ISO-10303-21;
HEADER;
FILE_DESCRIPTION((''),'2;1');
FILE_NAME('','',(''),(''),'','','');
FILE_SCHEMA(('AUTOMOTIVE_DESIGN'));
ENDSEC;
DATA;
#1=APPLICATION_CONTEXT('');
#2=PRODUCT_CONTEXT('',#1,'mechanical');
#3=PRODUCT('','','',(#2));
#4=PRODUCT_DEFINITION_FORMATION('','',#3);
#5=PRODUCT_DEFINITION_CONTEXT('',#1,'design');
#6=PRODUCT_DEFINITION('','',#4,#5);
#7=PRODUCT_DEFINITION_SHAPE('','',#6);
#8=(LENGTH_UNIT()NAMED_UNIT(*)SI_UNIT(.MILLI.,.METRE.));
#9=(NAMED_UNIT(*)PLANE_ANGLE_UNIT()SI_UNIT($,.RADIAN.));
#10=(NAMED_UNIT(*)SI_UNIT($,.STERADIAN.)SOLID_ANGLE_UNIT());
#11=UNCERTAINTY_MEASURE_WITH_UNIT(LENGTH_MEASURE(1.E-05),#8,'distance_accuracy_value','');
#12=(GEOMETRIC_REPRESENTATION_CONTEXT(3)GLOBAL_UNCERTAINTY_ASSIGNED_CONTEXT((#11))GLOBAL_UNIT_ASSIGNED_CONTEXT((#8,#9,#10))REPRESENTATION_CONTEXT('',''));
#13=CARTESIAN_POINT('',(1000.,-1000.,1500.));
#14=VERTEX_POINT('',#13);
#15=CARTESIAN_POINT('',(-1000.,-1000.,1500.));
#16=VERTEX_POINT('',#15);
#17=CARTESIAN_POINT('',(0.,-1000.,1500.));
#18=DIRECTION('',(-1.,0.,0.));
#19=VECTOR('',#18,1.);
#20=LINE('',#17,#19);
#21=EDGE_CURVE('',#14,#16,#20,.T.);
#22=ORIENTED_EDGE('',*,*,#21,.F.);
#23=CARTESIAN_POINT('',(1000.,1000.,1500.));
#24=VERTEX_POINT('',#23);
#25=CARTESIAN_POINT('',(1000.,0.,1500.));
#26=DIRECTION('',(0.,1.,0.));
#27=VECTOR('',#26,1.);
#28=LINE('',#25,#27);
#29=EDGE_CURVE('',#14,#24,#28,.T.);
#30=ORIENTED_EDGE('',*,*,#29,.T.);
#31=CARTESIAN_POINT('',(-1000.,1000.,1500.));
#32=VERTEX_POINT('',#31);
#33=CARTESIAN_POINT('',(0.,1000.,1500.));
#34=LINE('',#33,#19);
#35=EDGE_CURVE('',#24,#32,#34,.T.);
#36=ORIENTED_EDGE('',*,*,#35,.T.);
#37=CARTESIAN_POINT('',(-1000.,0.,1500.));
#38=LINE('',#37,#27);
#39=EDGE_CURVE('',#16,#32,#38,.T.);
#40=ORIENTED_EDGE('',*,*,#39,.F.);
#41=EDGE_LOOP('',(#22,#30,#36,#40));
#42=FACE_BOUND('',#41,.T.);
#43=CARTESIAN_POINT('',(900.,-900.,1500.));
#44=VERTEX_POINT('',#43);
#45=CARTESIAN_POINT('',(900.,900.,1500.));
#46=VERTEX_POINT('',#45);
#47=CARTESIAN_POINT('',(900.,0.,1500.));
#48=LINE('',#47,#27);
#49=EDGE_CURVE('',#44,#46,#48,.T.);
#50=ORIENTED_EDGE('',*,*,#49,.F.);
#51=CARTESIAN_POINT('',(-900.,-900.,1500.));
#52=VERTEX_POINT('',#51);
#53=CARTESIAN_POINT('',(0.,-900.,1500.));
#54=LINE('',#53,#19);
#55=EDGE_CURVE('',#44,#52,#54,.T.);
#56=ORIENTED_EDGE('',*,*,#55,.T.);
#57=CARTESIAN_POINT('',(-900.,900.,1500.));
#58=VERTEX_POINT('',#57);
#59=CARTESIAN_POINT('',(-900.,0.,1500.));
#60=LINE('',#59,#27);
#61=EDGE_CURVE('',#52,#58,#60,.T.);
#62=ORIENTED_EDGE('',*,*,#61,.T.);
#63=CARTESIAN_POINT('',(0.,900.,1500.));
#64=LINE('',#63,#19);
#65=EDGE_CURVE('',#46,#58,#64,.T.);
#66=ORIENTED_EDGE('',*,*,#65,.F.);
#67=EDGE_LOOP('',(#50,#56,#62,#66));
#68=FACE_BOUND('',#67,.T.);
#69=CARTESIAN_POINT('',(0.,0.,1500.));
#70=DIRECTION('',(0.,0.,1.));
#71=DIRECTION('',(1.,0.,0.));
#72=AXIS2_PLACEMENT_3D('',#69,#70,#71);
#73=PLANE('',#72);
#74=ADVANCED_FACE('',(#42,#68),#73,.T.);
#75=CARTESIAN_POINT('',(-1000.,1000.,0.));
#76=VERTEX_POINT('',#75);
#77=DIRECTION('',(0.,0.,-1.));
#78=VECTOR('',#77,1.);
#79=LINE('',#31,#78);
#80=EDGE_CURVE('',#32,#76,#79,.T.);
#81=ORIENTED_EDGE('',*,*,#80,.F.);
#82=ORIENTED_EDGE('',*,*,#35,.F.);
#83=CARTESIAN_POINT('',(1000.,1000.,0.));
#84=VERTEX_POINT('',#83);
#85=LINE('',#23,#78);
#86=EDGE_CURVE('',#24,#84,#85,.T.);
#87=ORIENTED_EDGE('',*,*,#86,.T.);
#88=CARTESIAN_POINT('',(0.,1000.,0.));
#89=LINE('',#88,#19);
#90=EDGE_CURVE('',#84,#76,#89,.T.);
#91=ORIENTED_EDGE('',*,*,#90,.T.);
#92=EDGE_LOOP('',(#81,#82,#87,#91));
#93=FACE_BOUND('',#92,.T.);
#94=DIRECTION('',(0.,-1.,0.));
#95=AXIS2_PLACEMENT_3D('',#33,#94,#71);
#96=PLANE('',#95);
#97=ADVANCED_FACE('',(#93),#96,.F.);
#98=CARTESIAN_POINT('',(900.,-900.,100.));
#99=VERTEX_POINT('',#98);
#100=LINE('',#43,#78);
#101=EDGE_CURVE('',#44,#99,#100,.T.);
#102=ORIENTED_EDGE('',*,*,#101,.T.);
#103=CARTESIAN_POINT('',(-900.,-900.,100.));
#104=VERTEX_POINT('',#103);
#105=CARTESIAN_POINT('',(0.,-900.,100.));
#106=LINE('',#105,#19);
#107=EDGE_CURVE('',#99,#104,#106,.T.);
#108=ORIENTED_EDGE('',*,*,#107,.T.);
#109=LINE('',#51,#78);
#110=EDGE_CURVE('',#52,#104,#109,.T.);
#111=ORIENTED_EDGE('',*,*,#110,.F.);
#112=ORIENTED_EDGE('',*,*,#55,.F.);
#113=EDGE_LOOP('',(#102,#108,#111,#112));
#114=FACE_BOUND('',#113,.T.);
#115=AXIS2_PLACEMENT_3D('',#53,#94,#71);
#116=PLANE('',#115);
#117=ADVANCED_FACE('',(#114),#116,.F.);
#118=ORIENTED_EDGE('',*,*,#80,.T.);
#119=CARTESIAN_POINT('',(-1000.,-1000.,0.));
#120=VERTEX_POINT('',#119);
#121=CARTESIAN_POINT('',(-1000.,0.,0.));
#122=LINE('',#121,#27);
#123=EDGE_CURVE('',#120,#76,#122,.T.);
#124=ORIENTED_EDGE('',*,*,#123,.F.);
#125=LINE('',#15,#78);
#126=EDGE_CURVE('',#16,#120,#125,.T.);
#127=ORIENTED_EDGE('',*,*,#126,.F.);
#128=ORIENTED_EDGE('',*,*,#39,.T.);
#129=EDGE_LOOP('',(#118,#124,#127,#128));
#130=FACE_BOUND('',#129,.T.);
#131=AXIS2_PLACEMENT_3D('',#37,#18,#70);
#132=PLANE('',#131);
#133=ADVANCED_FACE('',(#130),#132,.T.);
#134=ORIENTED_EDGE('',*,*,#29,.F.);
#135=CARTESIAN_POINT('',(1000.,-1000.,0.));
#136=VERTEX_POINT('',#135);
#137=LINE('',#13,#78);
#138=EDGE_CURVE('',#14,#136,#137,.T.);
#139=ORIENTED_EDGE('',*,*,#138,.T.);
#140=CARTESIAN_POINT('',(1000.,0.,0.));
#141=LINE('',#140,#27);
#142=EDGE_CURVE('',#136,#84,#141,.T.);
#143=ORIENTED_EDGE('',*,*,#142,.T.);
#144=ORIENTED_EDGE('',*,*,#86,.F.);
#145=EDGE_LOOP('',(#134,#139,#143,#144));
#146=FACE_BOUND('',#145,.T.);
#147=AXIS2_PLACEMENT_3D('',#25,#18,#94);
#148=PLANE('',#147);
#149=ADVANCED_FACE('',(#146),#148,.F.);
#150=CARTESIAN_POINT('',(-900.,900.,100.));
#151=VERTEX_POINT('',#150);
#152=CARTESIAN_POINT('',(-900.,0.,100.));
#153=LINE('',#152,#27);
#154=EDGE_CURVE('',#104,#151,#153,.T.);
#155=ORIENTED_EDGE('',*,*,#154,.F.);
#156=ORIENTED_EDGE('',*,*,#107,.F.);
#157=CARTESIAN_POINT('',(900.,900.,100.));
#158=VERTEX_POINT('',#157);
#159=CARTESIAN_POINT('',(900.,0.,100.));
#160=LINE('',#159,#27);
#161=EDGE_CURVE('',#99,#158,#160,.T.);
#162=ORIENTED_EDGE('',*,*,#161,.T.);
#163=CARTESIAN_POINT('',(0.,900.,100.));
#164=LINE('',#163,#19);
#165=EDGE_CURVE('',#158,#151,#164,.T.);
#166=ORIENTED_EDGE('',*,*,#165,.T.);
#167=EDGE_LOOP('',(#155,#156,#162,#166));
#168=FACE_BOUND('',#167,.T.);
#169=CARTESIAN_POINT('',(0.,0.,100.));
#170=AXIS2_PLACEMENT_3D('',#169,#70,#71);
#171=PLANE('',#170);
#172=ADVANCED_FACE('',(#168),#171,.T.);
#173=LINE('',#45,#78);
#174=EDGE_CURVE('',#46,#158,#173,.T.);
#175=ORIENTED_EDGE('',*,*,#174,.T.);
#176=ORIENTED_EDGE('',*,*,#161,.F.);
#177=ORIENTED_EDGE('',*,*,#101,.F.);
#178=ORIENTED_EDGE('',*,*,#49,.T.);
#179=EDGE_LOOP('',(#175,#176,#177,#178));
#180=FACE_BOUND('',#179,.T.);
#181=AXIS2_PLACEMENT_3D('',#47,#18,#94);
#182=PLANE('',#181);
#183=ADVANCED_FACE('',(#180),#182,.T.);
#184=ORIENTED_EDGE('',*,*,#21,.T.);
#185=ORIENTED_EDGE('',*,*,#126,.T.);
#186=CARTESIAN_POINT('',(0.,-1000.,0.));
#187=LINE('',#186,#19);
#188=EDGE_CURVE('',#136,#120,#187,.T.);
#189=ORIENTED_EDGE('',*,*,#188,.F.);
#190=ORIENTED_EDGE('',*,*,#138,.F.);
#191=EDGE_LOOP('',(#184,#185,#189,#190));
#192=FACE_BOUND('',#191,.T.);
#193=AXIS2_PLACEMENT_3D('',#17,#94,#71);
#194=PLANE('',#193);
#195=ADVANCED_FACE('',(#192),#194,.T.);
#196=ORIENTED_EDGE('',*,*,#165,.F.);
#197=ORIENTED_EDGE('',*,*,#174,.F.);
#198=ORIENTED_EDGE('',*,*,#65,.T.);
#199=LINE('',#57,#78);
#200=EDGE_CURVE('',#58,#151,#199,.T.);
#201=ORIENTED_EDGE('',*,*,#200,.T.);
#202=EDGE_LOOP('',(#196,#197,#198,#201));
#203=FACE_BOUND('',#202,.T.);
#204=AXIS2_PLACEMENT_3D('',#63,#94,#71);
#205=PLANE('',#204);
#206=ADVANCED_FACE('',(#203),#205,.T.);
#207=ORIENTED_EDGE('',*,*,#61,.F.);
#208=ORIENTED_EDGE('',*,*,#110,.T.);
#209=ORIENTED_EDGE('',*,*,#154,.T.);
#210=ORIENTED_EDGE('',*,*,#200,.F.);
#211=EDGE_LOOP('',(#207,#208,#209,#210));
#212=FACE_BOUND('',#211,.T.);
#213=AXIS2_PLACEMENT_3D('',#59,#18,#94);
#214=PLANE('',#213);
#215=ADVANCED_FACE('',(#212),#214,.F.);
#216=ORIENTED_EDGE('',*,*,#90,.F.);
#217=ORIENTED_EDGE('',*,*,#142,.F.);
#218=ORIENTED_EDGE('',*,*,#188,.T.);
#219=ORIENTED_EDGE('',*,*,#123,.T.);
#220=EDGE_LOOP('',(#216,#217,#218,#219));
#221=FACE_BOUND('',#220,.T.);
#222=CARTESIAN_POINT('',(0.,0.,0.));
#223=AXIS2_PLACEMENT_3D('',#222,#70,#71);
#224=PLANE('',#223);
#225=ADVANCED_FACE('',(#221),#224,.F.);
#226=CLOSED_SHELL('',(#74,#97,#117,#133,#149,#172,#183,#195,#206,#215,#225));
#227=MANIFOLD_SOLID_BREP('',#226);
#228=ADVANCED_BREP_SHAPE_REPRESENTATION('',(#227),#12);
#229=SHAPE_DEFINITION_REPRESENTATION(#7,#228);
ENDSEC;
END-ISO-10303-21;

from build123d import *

# Parameters (mm, degrees)
SKETCH1_W           = 1800
SKETCH1_H           = 1800
BOSS_EXTRUDE1_DEPTH = 100
SKETCH1_4_W         = 2000
SKETCH1_4_H         = 2000
SKETCH1_4_W_2       = 1800
SKETCH1_4_H_2       = 1800
BOSS_EXTRUDE2_DEPTH = 1500


with BuildPart() as part:
    # Sketch1 → Boss-Extrude1 (new body)
    with BuildSketch(Plane.XY):
        Rectangle(SKETCH1_W, SKETCH1_H)
    extrude(amount=BOSS_EXTRUDE1_DEPTH)

    # Sketch1<4> → Boss-Extrude2 (add)
    with BuildSketch(Plane.XY):
        Rectangle(SKETCH1_4_W, SKETCH1_4_H)
        Rectangle(SKETCH1_4_W_2, SKETCH1_4_H_2, mode=Mode.SUBTRACT)
    extrude(amount=BOSS_EXTRUDE2_DEPTH)


solid = part.part
